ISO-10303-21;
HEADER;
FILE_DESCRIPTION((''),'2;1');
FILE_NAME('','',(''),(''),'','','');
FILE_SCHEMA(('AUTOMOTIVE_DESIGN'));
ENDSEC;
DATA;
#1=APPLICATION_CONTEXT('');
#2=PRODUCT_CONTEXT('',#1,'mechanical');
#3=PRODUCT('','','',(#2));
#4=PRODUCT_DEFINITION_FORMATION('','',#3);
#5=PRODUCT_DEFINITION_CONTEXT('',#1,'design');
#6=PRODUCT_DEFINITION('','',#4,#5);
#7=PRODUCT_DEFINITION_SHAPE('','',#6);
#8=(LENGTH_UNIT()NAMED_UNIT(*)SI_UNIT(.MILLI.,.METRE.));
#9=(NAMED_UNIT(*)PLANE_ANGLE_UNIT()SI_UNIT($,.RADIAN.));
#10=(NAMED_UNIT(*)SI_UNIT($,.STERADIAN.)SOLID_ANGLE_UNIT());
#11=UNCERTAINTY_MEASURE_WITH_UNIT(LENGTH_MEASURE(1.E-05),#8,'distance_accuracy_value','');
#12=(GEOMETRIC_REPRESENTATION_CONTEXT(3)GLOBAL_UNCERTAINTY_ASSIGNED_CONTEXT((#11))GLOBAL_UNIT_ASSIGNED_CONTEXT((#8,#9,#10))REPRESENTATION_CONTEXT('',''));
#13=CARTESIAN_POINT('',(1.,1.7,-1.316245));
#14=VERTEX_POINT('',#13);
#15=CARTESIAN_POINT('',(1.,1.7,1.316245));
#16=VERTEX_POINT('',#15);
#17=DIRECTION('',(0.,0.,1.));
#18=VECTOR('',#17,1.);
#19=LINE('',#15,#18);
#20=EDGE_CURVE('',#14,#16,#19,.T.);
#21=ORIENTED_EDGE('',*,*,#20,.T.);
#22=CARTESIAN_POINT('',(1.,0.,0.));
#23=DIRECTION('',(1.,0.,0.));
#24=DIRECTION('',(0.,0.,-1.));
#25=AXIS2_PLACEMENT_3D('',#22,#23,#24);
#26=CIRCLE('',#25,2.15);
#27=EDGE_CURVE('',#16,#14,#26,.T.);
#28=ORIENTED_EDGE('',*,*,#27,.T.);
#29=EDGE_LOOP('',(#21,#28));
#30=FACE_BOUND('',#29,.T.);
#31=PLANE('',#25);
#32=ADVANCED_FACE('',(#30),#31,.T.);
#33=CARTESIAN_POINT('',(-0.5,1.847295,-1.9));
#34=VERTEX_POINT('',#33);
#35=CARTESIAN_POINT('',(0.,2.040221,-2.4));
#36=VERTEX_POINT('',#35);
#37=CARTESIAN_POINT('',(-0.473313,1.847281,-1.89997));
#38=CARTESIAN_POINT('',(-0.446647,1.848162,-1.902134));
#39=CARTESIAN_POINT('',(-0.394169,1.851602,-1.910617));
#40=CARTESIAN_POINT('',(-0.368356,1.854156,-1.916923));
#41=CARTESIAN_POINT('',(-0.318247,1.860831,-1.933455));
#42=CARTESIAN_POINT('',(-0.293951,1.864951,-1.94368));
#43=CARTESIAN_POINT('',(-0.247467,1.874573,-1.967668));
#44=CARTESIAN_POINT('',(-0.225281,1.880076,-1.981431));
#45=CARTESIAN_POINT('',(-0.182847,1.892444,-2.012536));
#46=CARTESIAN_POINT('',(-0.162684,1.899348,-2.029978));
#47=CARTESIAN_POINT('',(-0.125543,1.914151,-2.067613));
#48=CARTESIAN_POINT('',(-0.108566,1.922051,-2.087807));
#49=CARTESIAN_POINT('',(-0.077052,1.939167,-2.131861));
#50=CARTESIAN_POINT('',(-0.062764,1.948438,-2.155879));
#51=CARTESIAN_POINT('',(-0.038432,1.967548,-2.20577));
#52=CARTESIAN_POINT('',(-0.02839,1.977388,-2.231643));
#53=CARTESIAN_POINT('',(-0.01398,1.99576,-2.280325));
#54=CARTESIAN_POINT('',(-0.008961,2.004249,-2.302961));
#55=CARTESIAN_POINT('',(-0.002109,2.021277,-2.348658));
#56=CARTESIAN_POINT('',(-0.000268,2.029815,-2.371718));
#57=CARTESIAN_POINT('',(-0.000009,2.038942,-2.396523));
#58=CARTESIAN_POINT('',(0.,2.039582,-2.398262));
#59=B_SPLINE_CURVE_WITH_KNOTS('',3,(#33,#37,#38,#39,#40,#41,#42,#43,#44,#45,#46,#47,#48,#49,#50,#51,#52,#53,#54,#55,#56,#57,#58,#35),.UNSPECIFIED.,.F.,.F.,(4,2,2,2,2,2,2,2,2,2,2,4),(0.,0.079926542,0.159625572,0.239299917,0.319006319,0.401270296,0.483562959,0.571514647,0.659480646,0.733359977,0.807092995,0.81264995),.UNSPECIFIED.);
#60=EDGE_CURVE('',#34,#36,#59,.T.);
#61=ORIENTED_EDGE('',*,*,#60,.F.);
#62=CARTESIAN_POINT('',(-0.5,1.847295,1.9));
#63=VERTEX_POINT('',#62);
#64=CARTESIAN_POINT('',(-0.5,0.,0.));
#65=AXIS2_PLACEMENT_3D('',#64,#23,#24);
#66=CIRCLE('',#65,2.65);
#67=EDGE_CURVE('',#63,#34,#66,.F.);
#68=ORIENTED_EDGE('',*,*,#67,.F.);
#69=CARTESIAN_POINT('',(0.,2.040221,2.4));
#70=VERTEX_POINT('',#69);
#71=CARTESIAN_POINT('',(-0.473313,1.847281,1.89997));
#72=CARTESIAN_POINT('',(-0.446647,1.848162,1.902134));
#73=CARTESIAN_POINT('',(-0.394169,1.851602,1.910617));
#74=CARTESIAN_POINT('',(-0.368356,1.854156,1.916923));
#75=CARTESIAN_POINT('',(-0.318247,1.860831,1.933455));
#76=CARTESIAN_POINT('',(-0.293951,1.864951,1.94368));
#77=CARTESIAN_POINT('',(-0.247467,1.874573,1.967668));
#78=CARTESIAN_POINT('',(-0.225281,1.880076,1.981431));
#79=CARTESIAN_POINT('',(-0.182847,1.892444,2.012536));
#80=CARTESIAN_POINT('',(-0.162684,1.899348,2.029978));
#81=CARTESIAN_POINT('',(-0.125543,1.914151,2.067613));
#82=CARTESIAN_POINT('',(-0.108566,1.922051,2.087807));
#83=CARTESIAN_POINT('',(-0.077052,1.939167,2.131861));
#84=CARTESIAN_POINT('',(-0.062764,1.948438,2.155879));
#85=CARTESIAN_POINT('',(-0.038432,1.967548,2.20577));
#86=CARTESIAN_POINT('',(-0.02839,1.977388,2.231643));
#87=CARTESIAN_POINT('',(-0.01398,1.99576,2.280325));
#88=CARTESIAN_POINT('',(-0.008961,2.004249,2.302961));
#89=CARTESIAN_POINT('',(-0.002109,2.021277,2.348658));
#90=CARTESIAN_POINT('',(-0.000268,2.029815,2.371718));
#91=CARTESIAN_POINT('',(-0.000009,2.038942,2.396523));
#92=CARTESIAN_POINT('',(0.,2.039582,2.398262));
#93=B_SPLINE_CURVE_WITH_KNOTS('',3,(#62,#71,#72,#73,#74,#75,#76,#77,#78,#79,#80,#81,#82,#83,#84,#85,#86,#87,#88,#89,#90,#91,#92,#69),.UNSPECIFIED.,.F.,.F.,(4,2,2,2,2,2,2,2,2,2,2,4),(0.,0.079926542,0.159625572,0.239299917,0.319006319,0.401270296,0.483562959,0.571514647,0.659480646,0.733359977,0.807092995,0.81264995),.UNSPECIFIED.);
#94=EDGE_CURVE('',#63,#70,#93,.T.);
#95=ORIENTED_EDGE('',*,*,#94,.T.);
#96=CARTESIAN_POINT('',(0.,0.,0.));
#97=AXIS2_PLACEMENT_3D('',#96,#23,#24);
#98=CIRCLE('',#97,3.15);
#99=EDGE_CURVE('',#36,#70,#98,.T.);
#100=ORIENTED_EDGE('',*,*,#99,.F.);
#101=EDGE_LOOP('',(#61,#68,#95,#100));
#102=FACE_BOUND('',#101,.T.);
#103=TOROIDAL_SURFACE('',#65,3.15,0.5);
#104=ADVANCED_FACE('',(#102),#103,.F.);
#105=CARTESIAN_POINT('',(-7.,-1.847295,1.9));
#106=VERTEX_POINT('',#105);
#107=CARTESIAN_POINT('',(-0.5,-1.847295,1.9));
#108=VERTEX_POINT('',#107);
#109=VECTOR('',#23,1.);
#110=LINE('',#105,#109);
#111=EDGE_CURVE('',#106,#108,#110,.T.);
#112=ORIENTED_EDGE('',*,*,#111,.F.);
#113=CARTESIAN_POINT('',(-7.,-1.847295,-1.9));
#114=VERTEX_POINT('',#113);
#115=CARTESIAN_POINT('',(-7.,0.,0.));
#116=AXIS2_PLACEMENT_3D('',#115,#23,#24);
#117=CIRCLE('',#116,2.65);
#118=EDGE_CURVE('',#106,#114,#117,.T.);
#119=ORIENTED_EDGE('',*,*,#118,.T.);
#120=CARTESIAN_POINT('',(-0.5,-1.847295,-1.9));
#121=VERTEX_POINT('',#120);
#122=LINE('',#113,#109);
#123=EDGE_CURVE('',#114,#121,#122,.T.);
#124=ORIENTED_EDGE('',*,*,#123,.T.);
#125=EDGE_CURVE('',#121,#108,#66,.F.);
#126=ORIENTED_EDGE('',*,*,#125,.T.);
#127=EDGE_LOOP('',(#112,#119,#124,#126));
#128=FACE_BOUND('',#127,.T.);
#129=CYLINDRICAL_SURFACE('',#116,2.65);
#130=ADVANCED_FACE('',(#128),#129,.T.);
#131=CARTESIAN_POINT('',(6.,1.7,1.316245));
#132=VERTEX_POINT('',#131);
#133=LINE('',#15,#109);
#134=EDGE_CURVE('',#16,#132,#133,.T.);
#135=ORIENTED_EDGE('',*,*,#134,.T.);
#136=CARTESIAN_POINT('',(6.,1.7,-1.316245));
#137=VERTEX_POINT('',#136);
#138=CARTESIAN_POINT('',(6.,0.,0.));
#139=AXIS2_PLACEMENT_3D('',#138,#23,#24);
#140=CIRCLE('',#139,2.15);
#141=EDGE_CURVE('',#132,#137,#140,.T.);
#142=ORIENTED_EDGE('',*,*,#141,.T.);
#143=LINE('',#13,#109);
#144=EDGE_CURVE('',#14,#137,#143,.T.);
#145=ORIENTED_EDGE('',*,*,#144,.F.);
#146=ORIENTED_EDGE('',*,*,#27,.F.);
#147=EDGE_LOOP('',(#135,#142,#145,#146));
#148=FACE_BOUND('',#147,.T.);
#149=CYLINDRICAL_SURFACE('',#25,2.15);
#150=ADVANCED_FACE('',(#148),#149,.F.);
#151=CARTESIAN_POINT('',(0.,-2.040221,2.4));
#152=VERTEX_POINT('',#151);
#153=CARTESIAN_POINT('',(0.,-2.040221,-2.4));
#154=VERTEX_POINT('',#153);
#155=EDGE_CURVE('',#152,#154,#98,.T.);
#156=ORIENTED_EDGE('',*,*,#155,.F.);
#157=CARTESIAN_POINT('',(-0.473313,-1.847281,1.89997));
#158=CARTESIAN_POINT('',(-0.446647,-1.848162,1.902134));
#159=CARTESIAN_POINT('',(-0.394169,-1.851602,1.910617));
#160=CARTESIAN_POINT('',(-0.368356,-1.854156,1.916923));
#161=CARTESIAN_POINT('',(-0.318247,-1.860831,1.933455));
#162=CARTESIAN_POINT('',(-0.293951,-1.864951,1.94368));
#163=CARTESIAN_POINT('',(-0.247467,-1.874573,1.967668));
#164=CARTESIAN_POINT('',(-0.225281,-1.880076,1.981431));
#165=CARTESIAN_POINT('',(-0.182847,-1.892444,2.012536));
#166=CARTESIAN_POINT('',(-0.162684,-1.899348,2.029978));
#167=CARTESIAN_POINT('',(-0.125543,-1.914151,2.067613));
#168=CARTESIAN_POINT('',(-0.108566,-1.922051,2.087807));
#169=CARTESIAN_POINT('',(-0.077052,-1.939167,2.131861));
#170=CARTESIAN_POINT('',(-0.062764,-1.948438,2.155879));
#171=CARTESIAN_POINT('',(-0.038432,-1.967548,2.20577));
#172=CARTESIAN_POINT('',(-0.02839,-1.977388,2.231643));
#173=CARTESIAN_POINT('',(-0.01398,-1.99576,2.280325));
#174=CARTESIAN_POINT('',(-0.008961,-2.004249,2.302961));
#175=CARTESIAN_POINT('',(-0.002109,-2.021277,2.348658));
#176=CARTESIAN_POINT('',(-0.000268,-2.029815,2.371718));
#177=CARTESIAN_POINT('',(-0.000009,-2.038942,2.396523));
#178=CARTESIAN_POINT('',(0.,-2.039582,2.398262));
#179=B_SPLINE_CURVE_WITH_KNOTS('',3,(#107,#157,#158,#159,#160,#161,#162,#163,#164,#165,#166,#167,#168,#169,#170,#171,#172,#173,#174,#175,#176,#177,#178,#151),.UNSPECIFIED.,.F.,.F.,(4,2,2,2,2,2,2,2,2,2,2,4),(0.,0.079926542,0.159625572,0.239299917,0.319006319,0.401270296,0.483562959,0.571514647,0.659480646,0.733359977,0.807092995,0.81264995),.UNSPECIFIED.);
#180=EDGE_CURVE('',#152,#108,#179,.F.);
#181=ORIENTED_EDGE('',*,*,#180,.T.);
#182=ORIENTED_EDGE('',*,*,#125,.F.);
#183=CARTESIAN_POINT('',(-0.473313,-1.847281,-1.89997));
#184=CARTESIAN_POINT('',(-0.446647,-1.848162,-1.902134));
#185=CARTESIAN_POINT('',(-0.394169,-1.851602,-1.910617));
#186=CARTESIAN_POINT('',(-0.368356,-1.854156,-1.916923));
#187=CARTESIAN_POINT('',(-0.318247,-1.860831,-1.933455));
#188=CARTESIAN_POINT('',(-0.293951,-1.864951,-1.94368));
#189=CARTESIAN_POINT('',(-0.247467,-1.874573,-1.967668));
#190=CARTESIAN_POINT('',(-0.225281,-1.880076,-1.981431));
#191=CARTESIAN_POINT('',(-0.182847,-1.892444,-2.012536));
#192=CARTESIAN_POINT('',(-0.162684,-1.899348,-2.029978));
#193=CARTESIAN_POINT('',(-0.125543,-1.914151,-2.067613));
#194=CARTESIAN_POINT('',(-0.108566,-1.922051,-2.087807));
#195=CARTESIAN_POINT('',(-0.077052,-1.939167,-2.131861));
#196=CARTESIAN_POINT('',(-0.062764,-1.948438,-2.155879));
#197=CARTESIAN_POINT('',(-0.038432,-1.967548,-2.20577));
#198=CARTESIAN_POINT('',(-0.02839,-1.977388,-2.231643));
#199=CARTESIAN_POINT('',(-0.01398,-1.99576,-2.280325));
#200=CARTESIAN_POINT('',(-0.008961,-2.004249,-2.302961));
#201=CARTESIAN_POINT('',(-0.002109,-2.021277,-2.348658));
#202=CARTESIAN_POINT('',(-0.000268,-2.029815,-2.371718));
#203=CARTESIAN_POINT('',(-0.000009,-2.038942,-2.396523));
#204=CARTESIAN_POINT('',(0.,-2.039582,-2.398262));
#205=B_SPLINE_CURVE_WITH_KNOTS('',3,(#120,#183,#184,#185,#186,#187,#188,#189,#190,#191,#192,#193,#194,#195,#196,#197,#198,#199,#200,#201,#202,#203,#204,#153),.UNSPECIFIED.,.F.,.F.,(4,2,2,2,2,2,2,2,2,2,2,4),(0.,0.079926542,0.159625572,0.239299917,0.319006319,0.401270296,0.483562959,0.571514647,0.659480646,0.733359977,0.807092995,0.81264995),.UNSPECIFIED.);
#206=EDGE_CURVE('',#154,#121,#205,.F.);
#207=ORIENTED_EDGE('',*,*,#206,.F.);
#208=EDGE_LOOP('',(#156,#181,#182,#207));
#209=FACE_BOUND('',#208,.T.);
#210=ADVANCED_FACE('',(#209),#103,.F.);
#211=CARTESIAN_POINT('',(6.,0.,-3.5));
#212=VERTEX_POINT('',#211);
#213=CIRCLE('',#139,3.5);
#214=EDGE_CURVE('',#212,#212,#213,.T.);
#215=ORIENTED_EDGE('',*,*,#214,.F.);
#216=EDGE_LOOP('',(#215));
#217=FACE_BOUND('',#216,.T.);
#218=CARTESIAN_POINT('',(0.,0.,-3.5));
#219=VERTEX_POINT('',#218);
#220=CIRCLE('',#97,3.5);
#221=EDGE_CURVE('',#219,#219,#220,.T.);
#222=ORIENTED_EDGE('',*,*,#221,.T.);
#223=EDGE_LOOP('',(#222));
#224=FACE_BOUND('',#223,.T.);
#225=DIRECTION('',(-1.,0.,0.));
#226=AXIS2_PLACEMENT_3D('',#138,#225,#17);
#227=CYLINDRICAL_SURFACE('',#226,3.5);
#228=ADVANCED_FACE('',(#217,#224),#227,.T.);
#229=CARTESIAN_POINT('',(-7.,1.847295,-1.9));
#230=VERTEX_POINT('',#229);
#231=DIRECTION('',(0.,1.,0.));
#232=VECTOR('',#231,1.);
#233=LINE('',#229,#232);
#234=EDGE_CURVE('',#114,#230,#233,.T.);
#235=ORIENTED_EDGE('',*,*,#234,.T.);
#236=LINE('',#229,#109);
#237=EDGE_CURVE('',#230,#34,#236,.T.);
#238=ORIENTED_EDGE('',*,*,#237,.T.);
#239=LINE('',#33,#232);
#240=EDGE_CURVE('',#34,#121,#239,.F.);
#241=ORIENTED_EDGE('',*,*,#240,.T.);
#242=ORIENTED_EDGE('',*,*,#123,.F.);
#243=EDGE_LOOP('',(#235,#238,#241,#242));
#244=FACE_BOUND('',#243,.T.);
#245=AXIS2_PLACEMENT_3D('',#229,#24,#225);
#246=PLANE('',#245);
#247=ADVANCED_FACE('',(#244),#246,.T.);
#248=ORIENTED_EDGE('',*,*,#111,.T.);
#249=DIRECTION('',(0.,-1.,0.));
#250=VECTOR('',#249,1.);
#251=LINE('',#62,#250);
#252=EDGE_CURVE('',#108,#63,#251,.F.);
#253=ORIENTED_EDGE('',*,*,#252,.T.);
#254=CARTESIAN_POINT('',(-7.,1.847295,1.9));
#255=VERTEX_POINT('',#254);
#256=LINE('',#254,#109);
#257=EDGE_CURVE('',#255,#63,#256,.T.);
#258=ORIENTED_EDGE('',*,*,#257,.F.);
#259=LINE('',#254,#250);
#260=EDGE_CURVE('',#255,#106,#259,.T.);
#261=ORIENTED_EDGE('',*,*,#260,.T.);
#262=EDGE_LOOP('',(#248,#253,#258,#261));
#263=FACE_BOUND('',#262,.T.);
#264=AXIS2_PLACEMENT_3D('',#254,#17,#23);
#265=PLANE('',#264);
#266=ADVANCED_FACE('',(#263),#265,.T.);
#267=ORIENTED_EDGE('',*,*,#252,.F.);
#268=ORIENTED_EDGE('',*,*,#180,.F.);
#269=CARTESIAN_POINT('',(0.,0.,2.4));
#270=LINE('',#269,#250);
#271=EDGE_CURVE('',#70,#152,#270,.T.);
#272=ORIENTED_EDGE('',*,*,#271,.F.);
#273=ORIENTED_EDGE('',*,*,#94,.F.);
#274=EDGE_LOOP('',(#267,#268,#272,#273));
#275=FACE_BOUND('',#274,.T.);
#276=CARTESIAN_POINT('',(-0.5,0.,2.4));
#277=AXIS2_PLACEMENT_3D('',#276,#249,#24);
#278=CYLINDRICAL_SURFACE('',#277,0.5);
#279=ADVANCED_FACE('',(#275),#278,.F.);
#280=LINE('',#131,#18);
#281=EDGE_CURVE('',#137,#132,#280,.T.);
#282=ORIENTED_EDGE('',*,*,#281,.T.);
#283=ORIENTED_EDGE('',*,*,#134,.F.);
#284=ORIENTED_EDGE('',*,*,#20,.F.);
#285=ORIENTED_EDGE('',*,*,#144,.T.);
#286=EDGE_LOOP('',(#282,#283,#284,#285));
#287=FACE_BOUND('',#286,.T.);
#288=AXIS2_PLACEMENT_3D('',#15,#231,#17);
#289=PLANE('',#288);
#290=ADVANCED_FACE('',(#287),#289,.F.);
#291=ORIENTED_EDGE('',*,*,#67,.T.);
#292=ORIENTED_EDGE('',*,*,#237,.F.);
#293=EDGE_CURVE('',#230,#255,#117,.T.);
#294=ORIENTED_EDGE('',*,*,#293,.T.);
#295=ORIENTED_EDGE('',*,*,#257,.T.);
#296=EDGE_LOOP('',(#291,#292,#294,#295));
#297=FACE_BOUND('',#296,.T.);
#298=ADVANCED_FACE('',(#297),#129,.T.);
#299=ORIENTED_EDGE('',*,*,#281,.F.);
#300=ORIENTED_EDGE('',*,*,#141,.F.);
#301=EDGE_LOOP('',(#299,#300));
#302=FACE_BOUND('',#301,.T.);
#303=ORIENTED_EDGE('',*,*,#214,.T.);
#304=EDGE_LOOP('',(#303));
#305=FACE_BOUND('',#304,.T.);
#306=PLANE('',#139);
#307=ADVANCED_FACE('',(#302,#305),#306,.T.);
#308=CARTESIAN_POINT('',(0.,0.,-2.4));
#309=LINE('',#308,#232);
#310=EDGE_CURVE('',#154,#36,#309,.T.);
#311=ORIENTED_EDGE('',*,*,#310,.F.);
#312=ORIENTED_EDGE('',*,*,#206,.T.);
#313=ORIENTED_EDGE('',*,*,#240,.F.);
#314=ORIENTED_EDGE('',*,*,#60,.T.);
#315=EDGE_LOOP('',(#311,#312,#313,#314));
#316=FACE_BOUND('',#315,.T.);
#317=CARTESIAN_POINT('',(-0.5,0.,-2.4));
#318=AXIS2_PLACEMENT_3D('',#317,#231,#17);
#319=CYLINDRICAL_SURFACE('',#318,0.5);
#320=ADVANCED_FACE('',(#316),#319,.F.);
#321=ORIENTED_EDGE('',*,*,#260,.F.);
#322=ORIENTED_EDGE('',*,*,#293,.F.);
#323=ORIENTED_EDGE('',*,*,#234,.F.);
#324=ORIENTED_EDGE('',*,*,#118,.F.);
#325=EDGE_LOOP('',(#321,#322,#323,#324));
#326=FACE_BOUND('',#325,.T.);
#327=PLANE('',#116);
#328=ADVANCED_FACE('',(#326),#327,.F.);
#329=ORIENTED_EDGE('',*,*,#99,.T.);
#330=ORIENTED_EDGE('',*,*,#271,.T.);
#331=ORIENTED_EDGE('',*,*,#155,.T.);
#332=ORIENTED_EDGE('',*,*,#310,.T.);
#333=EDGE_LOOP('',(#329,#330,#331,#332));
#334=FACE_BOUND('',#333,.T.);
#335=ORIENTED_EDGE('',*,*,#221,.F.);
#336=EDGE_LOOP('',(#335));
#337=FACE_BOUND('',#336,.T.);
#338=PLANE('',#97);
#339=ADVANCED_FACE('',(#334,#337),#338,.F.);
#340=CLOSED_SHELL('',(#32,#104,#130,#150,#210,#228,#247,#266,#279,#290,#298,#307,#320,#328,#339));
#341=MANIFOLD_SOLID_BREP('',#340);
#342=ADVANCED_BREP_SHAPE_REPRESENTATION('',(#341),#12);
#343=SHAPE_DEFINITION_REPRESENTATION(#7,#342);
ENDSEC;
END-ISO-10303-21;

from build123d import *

# Parameters (mm, degrees)
BOSS_EXTRUDE1_DEPTH = 7
SKETCH5_R           = 3.5
BOSS_EXTRUDE2_DEPTH = 6
FILLET1_R           = 0.5
CUT_EXTRUDE1_DEPTH  = 5


with BuildPart() as part:
    # Sketch1 → Boss-Extrude1 (new body)
    with BuildSketch(Plane(origin=(0, 0, 0), x_dir=(0, 0, -1), z_dir=(1, 0, 0))):
        with BuildLine():
            Line((-1.9, 1.84729532), (-1.9, -1.84729532))
            ThreePointArc((-1.9, -1.84729532), (0, -2.65), (1.9, -1.84729532))
            Line((1.9, -1.84729532), (1.9, 1.84729532))
            ThreePointArc((1.9, 1.84729532), (0, 2.65), (-1.9, 1.84729532))
        make_face()
    extrude(amount=-BOSS_EXTRUDE1_DEPTH)

    # Sketch5 → Boss-Extrude2 (add)
    with BuildSketch(Plane(origin=(0, 0, 0), x_dir=(0, 0, -1), z_dir=(1, 0, 0))):
        Circle(SKETCH5_R)
    extrude(amount=BOSS_EXTRUDE2_DEPTH)

    # Fillet1
    fillet1_edges = [part.edges().sort_by_distance(p)[0] for p in [
        (0, 0, -1.9),
        (0, -2.65, 0),
        (0, 0, 1.9),
        (0, 2.65, 0),
    ]]
    fillet(fillet1_edges, radius=FILLET1_R)

    # Sketch7 → Cut-Extrude1 (cut)
    with BuildSketch(Plane(origin=(6, 0, 0), x_dir=(0, 0, -1), z_dir=(1, 0, 0))):
        with BuildLine():
            Line((-1.316244658, 1.7), (1.316244658, 1.7))
            ThreePointArc((1.316244658, 1.7), (0, -2.15), (-1.316244658, 1.7))
        make_face()
    extrude(amount=-CUT_EXTRUDE1_DEPTH, mode=Mode.SUBTRACT)


solid = part.part
